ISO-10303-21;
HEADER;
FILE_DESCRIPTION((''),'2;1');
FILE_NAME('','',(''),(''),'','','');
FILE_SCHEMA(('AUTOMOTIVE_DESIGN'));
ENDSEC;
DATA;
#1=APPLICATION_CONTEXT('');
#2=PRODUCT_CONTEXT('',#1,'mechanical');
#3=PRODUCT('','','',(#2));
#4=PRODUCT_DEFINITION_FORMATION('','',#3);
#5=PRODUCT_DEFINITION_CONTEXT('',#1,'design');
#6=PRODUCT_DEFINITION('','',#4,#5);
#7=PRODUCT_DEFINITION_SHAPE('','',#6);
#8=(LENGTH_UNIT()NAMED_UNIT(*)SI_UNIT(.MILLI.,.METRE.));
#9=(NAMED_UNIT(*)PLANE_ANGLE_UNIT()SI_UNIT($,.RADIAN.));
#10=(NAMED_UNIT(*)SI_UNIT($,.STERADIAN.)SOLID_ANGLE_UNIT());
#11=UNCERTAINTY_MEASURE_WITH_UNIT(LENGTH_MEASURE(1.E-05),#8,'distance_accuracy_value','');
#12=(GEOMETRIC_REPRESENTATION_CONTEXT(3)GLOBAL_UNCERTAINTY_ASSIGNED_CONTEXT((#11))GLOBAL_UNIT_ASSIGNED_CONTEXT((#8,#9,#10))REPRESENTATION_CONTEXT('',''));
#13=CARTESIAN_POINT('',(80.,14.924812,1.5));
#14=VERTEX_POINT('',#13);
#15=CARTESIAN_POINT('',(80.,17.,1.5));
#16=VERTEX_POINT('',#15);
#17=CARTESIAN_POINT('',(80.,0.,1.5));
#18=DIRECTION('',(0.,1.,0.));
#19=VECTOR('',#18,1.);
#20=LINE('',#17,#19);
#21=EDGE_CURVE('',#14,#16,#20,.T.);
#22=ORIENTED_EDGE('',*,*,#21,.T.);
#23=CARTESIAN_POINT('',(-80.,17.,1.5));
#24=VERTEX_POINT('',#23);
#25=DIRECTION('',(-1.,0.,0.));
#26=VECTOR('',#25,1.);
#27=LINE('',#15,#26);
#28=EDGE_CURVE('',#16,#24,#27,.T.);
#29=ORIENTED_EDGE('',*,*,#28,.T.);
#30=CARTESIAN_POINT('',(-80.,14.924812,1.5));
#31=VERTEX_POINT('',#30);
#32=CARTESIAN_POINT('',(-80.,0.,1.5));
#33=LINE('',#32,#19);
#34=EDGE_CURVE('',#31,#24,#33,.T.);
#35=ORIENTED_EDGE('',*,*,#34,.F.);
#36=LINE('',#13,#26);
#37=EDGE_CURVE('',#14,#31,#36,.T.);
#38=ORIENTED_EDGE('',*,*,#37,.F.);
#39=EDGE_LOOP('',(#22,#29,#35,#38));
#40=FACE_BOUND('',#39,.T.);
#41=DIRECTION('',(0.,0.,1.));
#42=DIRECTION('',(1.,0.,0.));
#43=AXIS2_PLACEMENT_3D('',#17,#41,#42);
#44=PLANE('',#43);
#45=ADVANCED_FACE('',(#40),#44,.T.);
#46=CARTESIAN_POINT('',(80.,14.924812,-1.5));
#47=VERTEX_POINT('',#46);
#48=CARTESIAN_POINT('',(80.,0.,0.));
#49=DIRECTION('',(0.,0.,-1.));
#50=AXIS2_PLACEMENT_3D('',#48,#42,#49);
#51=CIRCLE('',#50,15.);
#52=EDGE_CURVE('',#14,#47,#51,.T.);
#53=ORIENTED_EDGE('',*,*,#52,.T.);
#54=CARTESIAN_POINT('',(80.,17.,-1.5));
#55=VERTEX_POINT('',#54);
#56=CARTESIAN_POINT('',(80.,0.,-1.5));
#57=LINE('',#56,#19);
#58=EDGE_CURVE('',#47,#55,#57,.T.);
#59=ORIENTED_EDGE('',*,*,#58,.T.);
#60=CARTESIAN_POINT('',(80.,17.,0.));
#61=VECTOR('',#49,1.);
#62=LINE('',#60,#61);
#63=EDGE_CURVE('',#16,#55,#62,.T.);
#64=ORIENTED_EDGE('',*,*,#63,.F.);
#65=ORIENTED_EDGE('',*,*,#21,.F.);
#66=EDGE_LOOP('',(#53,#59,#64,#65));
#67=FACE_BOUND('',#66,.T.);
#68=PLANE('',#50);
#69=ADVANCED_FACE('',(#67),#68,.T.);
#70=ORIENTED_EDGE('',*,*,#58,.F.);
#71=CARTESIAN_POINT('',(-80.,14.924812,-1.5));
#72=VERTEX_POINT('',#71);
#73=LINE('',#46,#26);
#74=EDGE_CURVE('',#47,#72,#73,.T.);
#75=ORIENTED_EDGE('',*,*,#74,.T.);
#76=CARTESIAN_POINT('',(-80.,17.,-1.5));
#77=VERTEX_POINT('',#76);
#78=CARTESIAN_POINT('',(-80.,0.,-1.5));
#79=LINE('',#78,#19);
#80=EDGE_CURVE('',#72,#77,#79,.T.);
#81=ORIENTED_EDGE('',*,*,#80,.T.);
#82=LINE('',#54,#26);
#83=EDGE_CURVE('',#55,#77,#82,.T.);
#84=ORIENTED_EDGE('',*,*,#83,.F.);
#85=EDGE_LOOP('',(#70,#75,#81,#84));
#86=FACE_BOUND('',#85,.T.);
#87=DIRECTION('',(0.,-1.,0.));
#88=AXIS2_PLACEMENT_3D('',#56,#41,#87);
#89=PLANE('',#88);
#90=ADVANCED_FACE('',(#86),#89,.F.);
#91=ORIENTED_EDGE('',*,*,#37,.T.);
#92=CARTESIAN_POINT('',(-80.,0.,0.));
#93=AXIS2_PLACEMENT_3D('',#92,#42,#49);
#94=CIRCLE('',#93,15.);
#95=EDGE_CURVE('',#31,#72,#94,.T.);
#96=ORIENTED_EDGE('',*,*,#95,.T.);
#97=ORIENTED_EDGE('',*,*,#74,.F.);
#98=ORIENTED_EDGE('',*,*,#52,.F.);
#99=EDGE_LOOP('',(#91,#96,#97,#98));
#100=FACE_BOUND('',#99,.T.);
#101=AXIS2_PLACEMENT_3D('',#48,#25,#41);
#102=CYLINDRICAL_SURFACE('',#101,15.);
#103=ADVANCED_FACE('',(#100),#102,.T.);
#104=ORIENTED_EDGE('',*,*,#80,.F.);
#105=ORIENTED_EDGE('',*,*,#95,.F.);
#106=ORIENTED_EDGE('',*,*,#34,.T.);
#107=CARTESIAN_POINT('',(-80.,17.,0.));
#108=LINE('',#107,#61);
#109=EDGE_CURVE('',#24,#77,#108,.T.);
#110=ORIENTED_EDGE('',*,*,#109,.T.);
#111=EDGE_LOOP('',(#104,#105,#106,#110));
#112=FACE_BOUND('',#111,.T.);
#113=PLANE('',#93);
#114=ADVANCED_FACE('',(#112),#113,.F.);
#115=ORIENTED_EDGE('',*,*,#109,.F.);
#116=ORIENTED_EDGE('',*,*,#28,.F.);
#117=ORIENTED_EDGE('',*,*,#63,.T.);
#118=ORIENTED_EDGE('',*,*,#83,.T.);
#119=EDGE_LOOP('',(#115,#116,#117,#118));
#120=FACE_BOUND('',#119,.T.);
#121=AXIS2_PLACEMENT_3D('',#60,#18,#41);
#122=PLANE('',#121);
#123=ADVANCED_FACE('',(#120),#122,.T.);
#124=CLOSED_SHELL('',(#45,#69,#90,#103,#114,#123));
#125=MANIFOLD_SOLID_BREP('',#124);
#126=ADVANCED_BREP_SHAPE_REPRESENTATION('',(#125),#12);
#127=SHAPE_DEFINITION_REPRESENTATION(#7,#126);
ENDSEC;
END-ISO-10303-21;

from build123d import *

# Parameters (mm, degrees)
EXTRUDE_START   = -80
EXTRUDE_1_DEPTH = 160


with BuildPart() as part:
    # 草图1 → 凸台-拉伸1 (new body)
    with BuildSketch(Plane(origin=(0, 0, 0), x_dir=(0, 0, -1), z_dir=(1, 0, 0)).offset(EXTRUDE_START)):
        with BuildLine():
            Line((-1.5, 14.924811557), (-1.5, 0))
            Line((-1.5, 0), (1.5, 0))
            Line((1.5, 0), (1.5, 14.924811557))
            ThreePointArc((1.5, 14.924811557), (0, 15), (-1.5, 14.924811557))
        make_face()
        with BuildLine():
            Line((1.5, 0), (-1.5, 0))
            Line((-1.5, 0), (-1.5, 14.924811557))
            ThreePointArc((-1.5, 14.924811557), (-10.062305899, -11.124297731), (15, 0))
            ThreePointArc((15, 0), (11.124297731, 10.062305899), (1.5, 14.924811557))
            Line((1.5, 14.924811557), (1.5, 0))
        make_face()
        with BuildLine():
            Line((-1.5, 17), (-1.5, 14.924811557))
            ThreePointArc((-1.5, 14.924811557), (0, 15), (1.5, 14.924811557))
            Line((1.5, 14.924811557), (1.5, 17))
            Line((1.5, 17), (-1.5, 17))
        make_face()
    extrude(amount=EXTRUDE_1_DEPTH)


solid = part.part
